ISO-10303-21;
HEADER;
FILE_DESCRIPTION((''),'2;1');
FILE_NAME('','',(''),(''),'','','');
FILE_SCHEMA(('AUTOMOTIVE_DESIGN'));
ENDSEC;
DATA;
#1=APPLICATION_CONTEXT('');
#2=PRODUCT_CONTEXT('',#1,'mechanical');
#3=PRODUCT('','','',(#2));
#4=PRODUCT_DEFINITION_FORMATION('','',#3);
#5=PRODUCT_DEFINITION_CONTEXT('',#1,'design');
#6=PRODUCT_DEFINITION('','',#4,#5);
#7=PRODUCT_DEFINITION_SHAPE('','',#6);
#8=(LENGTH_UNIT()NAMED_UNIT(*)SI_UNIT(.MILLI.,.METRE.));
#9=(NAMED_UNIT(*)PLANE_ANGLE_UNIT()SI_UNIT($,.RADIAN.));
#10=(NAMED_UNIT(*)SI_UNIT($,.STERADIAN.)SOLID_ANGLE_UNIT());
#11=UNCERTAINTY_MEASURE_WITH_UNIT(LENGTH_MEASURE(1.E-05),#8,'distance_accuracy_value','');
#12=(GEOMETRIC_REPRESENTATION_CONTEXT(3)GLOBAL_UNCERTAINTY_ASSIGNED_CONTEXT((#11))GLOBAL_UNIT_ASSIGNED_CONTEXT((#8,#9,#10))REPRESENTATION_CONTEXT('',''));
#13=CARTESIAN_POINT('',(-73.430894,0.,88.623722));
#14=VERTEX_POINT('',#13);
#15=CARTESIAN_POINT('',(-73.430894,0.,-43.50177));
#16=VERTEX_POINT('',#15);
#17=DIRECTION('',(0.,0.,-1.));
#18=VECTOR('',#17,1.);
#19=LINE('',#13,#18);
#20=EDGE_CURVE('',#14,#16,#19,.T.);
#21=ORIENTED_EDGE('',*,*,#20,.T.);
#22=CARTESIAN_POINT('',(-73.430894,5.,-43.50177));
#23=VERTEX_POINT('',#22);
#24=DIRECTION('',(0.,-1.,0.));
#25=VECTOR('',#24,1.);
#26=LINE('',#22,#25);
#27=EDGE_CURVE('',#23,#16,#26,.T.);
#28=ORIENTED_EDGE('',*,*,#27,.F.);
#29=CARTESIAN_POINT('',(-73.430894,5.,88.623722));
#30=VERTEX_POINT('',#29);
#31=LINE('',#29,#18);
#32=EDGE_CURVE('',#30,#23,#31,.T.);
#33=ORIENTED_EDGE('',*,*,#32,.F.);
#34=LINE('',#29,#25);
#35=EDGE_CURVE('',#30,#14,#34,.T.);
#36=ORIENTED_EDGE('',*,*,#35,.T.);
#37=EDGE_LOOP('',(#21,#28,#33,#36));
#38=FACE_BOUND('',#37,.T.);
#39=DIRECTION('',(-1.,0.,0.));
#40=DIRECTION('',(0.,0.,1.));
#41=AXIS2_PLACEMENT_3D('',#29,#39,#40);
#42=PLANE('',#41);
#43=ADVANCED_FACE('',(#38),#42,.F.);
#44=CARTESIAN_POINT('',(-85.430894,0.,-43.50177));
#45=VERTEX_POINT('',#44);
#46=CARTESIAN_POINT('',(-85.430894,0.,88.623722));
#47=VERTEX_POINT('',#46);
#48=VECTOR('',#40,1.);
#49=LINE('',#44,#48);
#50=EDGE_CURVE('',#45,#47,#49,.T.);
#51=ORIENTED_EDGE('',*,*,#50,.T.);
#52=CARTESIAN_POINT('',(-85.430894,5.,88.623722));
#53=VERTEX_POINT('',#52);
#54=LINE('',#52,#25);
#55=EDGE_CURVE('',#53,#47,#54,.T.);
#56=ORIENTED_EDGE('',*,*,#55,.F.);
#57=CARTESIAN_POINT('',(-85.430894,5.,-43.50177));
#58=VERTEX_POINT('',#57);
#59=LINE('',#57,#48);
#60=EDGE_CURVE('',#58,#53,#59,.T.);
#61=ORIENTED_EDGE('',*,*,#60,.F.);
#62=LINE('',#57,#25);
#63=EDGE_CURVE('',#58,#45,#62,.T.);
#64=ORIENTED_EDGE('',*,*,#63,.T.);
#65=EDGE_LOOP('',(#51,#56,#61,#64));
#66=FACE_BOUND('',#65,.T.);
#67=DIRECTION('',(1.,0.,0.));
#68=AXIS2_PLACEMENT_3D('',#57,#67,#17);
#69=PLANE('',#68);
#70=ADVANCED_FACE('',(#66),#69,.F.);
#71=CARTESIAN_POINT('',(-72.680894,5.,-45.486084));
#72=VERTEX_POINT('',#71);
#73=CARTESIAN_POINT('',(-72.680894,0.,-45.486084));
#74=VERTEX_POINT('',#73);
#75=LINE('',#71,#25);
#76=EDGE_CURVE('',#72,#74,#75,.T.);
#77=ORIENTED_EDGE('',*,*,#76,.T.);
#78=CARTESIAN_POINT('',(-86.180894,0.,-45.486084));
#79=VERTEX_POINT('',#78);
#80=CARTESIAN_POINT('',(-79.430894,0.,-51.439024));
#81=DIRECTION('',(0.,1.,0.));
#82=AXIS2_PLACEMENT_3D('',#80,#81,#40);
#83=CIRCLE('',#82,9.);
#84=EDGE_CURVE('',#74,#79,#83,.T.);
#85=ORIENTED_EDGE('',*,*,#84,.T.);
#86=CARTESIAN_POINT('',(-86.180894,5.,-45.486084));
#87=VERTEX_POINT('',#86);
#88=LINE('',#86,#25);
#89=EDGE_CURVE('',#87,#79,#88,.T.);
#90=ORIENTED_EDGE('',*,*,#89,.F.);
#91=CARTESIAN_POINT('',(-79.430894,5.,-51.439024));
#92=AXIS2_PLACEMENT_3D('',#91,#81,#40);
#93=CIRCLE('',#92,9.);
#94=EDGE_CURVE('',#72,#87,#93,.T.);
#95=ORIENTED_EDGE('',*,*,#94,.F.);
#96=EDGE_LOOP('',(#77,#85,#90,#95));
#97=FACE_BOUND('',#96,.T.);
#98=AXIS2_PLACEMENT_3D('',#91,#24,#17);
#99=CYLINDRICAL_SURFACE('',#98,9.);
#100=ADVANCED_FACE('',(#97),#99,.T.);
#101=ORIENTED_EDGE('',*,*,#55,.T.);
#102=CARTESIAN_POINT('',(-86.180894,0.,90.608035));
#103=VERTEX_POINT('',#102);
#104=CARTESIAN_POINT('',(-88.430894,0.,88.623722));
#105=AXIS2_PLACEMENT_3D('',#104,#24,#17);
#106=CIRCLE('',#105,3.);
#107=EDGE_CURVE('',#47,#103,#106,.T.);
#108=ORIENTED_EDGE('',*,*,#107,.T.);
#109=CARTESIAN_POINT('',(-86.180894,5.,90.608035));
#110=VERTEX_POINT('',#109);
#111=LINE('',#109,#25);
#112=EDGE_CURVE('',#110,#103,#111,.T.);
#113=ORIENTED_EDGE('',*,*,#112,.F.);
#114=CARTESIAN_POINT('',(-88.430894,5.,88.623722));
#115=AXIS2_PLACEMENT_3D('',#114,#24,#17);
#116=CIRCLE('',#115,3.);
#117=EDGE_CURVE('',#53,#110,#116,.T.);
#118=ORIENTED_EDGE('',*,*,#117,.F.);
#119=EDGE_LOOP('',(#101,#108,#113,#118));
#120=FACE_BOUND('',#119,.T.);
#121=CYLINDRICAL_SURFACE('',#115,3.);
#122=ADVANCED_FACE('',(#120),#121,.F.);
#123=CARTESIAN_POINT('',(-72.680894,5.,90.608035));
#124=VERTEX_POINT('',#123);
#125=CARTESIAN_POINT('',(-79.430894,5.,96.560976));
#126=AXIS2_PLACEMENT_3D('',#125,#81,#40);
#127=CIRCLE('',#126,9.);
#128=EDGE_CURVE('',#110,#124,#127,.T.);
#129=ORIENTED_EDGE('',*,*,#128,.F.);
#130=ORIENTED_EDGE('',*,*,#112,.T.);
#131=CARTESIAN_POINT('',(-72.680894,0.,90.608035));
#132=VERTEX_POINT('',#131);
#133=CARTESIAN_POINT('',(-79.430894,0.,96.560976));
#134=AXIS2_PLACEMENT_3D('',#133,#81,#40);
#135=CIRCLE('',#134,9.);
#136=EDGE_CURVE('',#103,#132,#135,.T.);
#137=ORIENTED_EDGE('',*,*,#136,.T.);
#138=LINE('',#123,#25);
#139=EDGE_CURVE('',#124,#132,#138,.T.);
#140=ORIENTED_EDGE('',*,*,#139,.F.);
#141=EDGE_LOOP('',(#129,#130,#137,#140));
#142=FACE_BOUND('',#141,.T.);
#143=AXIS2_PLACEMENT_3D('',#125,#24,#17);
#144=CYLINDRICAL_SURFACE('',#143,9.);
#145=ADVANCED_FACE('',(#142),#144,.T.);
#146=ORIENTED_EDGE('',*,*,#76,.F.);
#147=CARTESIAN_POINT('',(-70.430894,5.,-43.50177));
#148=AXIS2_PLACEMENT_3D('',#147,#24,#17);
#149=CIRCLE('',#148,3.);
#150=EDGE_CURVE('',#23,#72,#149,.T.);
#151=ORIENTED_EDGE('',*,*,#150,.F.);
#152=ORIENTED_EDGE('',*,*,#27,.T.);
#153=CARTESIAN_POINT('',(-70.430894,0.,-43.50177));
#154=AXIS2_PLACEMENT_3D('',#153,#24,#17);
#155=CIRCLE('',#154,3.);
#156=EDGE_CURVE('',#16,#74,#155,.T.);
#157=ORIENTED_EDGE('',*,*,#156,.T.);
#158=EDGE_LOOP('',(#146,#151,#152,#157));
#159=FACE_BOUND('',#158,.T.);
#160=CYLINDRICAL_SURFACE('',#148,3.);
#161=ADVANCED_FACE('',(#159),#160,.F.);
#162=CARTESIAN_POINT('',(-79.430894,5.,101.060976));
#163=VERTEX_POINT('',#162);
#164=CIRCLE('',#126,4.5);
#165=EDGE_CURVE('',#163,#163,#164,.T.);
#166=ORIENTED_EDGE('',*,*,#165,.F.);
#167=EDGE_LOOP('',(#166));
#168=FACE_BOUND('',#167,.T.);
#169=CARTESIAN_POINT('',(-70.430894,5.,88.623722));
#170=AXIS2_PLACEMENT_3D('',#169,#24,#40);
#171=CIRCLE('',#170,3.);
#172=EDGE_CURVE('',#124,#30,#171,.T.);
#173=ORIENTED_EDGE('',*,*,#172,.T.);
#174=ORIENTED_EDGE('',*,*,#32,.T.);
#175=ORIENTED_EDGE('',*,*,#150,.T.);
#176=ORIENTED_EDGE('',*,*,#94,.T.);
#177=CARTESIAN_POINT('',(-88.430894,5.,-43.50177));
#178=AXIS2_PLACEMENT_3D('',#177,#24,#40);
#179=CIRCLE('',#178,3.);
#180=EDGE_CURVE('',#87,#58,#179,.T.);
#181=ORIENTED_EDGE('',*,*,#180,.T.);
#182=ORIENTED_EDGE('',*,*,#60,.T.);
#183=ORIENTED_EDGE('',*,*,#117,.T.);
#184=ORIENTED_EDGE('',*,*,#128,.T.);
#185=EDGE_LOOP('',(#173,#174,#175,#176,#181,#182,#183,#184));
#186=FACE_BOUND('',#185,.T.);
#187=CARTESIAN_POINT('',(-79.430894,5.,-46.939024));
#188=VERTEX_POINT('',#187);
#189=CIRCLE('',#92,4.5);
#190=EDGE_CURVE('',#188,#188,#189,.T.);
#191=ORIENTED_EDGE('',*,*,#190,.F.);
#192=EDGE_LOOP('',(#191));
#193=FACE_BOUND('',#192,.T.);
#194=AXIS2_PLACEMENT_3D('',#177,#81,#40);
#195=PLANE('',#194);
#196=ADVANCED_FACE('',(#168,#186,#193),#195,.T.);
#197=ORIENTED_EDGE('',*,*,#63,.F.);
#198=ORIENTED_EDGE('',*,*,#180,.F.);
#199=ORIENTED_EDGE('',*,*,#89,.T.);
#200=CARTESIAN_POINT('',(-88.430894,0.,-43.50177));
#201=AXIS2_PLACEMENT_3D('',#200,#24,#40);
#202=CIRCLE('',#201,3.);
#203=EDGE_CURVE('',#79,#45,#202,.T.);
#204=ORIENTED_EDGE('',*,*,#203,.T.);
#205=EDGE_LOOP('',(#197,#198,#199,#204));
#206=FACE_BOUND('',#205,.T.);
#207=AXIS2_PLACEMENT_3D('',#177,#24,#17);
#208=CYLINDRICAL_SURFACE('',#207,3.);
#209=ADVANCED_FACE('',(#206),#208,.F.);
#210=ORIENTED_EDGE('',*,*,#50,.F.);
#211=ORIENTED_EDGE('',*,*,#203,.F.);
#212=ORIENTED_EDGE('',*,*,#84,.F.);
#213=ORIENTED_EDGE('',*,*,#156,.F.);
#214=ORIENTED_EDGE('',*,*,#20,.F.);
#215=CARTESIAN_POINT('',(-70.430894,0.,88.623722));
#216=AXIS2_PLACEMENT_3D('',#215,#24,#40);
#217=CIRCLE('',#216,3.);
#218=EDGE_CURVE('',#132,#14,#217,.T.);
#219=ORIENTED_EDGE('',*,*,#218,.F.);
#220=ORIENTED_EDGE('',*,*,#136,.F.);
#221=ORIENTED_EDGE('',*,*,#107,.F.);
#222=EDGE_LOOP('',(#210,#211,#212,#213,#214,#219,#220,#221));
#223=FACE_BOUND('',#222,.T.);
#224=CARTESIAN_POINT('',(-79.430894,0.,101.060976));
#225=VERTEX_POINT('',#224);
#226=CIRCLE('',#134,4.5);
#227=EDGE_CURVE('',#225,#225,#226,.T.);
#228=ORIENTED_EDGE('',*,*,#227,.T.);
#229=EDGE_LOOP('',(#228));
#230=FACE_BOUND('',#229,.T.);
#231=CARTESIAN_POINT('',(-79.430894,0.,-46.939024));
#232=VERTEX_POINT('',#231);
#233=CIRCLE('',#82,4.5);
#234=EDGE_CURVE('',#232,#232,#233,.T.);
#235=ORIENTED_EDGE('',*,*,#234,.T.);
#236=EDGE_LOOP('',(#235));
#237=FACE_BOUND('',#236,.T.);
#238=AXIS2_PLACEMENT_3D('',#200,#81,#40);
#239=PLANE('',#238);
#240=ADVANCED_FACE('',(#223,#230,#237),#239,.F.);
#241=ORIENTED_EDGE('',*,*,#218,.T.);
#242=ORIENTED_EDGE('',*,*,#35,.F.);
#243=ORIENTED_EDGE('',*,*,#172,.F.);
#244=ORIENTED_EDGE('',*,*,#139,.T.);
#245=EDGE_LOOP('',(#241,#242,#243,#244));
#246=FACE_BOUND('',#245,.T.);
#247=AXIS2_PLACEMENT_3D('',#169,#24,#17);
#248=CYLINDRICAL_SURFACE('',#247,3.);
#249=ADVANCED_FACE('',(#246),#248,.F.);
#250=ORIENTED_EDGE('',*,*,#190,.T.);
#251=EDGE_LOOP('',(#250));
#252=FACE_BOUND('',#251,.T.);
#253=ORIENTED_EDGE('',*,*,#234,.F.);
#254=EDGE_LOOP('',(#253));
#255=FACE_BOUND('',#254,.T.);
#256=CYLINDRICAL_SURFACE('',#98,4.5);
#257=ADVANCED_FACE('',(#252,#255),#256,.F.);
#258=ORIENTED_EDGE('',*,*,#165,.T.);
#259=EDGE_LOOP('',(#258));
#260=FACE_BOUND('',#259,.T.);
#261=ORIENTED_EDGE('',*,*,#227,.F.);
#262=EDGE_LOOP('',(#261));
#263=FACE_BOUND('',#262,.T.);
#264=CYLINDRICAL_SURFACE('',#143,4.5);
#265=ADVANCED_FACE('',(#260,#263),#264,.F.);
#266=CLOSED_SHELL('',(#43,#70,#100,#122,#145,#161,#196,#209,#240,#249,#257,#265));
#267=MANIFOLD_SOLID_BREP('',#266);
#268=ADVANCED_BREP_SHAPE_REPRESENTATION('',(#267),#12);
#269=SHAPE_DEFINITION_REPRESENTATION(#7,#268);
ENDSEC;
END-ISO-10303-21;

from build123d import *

# Parameters (mm, degrees)
SKETCH_1_R      = 4.5
EXTRUDE_1_DEPTH = 5


with BuildPart() as part:
    # 草图1 → 凸台-拉伸1 (new body)
    with BuildSketch(Plane(origin=(0, 0, 0), x_dir=(1, 0, 0), z_dir=(0, 1, 0))):
        with BuildLine():
            Line((-85.430894309, 43.501770457), (-85.430894309, -88.623721677))
            ThreePointArc((-85.430894309, -88.623721677), (-85.624651269, -89.684381848), (-86.180894309, -90.60803516))
            ThreePointArc((-86.180894309, -90.60803516), (-79.430894309, -105.56097561), (-72.680894309, -90.60803516))
            ThreePointArc((-72.680894309, -90.60803516), (-73.237137349, -89.684381848), (-73.430894309, -88.623721677))
            Line((-73.430894309, -88.623721677), (-73.430894309, 43.501770457))
            ThreePointArc((-73.430894309, 43.501770457), (-73.237137349, 44.562430629), (-72.680894309, 45.48608394))
            ThreePointArc((-72.680894309, 45.48608394), (-79.430894309, 60.43902439), (-86.180894309, 45.48608394))
            ThreePointArc((-86.180894309, 45.48608394), (-85.624651269, 44.562430629), (-85.430894309, 43.501770457))
        make_face()
        with Locations(Location((-79.430894309, 51.43902439, 0), (0, 0, 270))):
            Circle(SKETCH_1_R, mode=Mode.SUBTRACT)
        with Locations(Location((-79.430894309, -96.56097561, 0), (0, 0, 270))):
            Circle(SKETCH_1_R, mode=Mode.SUBTRACT)
    extrude(amount=EXTRUDE_1_DEPTH)


solid = part.part
